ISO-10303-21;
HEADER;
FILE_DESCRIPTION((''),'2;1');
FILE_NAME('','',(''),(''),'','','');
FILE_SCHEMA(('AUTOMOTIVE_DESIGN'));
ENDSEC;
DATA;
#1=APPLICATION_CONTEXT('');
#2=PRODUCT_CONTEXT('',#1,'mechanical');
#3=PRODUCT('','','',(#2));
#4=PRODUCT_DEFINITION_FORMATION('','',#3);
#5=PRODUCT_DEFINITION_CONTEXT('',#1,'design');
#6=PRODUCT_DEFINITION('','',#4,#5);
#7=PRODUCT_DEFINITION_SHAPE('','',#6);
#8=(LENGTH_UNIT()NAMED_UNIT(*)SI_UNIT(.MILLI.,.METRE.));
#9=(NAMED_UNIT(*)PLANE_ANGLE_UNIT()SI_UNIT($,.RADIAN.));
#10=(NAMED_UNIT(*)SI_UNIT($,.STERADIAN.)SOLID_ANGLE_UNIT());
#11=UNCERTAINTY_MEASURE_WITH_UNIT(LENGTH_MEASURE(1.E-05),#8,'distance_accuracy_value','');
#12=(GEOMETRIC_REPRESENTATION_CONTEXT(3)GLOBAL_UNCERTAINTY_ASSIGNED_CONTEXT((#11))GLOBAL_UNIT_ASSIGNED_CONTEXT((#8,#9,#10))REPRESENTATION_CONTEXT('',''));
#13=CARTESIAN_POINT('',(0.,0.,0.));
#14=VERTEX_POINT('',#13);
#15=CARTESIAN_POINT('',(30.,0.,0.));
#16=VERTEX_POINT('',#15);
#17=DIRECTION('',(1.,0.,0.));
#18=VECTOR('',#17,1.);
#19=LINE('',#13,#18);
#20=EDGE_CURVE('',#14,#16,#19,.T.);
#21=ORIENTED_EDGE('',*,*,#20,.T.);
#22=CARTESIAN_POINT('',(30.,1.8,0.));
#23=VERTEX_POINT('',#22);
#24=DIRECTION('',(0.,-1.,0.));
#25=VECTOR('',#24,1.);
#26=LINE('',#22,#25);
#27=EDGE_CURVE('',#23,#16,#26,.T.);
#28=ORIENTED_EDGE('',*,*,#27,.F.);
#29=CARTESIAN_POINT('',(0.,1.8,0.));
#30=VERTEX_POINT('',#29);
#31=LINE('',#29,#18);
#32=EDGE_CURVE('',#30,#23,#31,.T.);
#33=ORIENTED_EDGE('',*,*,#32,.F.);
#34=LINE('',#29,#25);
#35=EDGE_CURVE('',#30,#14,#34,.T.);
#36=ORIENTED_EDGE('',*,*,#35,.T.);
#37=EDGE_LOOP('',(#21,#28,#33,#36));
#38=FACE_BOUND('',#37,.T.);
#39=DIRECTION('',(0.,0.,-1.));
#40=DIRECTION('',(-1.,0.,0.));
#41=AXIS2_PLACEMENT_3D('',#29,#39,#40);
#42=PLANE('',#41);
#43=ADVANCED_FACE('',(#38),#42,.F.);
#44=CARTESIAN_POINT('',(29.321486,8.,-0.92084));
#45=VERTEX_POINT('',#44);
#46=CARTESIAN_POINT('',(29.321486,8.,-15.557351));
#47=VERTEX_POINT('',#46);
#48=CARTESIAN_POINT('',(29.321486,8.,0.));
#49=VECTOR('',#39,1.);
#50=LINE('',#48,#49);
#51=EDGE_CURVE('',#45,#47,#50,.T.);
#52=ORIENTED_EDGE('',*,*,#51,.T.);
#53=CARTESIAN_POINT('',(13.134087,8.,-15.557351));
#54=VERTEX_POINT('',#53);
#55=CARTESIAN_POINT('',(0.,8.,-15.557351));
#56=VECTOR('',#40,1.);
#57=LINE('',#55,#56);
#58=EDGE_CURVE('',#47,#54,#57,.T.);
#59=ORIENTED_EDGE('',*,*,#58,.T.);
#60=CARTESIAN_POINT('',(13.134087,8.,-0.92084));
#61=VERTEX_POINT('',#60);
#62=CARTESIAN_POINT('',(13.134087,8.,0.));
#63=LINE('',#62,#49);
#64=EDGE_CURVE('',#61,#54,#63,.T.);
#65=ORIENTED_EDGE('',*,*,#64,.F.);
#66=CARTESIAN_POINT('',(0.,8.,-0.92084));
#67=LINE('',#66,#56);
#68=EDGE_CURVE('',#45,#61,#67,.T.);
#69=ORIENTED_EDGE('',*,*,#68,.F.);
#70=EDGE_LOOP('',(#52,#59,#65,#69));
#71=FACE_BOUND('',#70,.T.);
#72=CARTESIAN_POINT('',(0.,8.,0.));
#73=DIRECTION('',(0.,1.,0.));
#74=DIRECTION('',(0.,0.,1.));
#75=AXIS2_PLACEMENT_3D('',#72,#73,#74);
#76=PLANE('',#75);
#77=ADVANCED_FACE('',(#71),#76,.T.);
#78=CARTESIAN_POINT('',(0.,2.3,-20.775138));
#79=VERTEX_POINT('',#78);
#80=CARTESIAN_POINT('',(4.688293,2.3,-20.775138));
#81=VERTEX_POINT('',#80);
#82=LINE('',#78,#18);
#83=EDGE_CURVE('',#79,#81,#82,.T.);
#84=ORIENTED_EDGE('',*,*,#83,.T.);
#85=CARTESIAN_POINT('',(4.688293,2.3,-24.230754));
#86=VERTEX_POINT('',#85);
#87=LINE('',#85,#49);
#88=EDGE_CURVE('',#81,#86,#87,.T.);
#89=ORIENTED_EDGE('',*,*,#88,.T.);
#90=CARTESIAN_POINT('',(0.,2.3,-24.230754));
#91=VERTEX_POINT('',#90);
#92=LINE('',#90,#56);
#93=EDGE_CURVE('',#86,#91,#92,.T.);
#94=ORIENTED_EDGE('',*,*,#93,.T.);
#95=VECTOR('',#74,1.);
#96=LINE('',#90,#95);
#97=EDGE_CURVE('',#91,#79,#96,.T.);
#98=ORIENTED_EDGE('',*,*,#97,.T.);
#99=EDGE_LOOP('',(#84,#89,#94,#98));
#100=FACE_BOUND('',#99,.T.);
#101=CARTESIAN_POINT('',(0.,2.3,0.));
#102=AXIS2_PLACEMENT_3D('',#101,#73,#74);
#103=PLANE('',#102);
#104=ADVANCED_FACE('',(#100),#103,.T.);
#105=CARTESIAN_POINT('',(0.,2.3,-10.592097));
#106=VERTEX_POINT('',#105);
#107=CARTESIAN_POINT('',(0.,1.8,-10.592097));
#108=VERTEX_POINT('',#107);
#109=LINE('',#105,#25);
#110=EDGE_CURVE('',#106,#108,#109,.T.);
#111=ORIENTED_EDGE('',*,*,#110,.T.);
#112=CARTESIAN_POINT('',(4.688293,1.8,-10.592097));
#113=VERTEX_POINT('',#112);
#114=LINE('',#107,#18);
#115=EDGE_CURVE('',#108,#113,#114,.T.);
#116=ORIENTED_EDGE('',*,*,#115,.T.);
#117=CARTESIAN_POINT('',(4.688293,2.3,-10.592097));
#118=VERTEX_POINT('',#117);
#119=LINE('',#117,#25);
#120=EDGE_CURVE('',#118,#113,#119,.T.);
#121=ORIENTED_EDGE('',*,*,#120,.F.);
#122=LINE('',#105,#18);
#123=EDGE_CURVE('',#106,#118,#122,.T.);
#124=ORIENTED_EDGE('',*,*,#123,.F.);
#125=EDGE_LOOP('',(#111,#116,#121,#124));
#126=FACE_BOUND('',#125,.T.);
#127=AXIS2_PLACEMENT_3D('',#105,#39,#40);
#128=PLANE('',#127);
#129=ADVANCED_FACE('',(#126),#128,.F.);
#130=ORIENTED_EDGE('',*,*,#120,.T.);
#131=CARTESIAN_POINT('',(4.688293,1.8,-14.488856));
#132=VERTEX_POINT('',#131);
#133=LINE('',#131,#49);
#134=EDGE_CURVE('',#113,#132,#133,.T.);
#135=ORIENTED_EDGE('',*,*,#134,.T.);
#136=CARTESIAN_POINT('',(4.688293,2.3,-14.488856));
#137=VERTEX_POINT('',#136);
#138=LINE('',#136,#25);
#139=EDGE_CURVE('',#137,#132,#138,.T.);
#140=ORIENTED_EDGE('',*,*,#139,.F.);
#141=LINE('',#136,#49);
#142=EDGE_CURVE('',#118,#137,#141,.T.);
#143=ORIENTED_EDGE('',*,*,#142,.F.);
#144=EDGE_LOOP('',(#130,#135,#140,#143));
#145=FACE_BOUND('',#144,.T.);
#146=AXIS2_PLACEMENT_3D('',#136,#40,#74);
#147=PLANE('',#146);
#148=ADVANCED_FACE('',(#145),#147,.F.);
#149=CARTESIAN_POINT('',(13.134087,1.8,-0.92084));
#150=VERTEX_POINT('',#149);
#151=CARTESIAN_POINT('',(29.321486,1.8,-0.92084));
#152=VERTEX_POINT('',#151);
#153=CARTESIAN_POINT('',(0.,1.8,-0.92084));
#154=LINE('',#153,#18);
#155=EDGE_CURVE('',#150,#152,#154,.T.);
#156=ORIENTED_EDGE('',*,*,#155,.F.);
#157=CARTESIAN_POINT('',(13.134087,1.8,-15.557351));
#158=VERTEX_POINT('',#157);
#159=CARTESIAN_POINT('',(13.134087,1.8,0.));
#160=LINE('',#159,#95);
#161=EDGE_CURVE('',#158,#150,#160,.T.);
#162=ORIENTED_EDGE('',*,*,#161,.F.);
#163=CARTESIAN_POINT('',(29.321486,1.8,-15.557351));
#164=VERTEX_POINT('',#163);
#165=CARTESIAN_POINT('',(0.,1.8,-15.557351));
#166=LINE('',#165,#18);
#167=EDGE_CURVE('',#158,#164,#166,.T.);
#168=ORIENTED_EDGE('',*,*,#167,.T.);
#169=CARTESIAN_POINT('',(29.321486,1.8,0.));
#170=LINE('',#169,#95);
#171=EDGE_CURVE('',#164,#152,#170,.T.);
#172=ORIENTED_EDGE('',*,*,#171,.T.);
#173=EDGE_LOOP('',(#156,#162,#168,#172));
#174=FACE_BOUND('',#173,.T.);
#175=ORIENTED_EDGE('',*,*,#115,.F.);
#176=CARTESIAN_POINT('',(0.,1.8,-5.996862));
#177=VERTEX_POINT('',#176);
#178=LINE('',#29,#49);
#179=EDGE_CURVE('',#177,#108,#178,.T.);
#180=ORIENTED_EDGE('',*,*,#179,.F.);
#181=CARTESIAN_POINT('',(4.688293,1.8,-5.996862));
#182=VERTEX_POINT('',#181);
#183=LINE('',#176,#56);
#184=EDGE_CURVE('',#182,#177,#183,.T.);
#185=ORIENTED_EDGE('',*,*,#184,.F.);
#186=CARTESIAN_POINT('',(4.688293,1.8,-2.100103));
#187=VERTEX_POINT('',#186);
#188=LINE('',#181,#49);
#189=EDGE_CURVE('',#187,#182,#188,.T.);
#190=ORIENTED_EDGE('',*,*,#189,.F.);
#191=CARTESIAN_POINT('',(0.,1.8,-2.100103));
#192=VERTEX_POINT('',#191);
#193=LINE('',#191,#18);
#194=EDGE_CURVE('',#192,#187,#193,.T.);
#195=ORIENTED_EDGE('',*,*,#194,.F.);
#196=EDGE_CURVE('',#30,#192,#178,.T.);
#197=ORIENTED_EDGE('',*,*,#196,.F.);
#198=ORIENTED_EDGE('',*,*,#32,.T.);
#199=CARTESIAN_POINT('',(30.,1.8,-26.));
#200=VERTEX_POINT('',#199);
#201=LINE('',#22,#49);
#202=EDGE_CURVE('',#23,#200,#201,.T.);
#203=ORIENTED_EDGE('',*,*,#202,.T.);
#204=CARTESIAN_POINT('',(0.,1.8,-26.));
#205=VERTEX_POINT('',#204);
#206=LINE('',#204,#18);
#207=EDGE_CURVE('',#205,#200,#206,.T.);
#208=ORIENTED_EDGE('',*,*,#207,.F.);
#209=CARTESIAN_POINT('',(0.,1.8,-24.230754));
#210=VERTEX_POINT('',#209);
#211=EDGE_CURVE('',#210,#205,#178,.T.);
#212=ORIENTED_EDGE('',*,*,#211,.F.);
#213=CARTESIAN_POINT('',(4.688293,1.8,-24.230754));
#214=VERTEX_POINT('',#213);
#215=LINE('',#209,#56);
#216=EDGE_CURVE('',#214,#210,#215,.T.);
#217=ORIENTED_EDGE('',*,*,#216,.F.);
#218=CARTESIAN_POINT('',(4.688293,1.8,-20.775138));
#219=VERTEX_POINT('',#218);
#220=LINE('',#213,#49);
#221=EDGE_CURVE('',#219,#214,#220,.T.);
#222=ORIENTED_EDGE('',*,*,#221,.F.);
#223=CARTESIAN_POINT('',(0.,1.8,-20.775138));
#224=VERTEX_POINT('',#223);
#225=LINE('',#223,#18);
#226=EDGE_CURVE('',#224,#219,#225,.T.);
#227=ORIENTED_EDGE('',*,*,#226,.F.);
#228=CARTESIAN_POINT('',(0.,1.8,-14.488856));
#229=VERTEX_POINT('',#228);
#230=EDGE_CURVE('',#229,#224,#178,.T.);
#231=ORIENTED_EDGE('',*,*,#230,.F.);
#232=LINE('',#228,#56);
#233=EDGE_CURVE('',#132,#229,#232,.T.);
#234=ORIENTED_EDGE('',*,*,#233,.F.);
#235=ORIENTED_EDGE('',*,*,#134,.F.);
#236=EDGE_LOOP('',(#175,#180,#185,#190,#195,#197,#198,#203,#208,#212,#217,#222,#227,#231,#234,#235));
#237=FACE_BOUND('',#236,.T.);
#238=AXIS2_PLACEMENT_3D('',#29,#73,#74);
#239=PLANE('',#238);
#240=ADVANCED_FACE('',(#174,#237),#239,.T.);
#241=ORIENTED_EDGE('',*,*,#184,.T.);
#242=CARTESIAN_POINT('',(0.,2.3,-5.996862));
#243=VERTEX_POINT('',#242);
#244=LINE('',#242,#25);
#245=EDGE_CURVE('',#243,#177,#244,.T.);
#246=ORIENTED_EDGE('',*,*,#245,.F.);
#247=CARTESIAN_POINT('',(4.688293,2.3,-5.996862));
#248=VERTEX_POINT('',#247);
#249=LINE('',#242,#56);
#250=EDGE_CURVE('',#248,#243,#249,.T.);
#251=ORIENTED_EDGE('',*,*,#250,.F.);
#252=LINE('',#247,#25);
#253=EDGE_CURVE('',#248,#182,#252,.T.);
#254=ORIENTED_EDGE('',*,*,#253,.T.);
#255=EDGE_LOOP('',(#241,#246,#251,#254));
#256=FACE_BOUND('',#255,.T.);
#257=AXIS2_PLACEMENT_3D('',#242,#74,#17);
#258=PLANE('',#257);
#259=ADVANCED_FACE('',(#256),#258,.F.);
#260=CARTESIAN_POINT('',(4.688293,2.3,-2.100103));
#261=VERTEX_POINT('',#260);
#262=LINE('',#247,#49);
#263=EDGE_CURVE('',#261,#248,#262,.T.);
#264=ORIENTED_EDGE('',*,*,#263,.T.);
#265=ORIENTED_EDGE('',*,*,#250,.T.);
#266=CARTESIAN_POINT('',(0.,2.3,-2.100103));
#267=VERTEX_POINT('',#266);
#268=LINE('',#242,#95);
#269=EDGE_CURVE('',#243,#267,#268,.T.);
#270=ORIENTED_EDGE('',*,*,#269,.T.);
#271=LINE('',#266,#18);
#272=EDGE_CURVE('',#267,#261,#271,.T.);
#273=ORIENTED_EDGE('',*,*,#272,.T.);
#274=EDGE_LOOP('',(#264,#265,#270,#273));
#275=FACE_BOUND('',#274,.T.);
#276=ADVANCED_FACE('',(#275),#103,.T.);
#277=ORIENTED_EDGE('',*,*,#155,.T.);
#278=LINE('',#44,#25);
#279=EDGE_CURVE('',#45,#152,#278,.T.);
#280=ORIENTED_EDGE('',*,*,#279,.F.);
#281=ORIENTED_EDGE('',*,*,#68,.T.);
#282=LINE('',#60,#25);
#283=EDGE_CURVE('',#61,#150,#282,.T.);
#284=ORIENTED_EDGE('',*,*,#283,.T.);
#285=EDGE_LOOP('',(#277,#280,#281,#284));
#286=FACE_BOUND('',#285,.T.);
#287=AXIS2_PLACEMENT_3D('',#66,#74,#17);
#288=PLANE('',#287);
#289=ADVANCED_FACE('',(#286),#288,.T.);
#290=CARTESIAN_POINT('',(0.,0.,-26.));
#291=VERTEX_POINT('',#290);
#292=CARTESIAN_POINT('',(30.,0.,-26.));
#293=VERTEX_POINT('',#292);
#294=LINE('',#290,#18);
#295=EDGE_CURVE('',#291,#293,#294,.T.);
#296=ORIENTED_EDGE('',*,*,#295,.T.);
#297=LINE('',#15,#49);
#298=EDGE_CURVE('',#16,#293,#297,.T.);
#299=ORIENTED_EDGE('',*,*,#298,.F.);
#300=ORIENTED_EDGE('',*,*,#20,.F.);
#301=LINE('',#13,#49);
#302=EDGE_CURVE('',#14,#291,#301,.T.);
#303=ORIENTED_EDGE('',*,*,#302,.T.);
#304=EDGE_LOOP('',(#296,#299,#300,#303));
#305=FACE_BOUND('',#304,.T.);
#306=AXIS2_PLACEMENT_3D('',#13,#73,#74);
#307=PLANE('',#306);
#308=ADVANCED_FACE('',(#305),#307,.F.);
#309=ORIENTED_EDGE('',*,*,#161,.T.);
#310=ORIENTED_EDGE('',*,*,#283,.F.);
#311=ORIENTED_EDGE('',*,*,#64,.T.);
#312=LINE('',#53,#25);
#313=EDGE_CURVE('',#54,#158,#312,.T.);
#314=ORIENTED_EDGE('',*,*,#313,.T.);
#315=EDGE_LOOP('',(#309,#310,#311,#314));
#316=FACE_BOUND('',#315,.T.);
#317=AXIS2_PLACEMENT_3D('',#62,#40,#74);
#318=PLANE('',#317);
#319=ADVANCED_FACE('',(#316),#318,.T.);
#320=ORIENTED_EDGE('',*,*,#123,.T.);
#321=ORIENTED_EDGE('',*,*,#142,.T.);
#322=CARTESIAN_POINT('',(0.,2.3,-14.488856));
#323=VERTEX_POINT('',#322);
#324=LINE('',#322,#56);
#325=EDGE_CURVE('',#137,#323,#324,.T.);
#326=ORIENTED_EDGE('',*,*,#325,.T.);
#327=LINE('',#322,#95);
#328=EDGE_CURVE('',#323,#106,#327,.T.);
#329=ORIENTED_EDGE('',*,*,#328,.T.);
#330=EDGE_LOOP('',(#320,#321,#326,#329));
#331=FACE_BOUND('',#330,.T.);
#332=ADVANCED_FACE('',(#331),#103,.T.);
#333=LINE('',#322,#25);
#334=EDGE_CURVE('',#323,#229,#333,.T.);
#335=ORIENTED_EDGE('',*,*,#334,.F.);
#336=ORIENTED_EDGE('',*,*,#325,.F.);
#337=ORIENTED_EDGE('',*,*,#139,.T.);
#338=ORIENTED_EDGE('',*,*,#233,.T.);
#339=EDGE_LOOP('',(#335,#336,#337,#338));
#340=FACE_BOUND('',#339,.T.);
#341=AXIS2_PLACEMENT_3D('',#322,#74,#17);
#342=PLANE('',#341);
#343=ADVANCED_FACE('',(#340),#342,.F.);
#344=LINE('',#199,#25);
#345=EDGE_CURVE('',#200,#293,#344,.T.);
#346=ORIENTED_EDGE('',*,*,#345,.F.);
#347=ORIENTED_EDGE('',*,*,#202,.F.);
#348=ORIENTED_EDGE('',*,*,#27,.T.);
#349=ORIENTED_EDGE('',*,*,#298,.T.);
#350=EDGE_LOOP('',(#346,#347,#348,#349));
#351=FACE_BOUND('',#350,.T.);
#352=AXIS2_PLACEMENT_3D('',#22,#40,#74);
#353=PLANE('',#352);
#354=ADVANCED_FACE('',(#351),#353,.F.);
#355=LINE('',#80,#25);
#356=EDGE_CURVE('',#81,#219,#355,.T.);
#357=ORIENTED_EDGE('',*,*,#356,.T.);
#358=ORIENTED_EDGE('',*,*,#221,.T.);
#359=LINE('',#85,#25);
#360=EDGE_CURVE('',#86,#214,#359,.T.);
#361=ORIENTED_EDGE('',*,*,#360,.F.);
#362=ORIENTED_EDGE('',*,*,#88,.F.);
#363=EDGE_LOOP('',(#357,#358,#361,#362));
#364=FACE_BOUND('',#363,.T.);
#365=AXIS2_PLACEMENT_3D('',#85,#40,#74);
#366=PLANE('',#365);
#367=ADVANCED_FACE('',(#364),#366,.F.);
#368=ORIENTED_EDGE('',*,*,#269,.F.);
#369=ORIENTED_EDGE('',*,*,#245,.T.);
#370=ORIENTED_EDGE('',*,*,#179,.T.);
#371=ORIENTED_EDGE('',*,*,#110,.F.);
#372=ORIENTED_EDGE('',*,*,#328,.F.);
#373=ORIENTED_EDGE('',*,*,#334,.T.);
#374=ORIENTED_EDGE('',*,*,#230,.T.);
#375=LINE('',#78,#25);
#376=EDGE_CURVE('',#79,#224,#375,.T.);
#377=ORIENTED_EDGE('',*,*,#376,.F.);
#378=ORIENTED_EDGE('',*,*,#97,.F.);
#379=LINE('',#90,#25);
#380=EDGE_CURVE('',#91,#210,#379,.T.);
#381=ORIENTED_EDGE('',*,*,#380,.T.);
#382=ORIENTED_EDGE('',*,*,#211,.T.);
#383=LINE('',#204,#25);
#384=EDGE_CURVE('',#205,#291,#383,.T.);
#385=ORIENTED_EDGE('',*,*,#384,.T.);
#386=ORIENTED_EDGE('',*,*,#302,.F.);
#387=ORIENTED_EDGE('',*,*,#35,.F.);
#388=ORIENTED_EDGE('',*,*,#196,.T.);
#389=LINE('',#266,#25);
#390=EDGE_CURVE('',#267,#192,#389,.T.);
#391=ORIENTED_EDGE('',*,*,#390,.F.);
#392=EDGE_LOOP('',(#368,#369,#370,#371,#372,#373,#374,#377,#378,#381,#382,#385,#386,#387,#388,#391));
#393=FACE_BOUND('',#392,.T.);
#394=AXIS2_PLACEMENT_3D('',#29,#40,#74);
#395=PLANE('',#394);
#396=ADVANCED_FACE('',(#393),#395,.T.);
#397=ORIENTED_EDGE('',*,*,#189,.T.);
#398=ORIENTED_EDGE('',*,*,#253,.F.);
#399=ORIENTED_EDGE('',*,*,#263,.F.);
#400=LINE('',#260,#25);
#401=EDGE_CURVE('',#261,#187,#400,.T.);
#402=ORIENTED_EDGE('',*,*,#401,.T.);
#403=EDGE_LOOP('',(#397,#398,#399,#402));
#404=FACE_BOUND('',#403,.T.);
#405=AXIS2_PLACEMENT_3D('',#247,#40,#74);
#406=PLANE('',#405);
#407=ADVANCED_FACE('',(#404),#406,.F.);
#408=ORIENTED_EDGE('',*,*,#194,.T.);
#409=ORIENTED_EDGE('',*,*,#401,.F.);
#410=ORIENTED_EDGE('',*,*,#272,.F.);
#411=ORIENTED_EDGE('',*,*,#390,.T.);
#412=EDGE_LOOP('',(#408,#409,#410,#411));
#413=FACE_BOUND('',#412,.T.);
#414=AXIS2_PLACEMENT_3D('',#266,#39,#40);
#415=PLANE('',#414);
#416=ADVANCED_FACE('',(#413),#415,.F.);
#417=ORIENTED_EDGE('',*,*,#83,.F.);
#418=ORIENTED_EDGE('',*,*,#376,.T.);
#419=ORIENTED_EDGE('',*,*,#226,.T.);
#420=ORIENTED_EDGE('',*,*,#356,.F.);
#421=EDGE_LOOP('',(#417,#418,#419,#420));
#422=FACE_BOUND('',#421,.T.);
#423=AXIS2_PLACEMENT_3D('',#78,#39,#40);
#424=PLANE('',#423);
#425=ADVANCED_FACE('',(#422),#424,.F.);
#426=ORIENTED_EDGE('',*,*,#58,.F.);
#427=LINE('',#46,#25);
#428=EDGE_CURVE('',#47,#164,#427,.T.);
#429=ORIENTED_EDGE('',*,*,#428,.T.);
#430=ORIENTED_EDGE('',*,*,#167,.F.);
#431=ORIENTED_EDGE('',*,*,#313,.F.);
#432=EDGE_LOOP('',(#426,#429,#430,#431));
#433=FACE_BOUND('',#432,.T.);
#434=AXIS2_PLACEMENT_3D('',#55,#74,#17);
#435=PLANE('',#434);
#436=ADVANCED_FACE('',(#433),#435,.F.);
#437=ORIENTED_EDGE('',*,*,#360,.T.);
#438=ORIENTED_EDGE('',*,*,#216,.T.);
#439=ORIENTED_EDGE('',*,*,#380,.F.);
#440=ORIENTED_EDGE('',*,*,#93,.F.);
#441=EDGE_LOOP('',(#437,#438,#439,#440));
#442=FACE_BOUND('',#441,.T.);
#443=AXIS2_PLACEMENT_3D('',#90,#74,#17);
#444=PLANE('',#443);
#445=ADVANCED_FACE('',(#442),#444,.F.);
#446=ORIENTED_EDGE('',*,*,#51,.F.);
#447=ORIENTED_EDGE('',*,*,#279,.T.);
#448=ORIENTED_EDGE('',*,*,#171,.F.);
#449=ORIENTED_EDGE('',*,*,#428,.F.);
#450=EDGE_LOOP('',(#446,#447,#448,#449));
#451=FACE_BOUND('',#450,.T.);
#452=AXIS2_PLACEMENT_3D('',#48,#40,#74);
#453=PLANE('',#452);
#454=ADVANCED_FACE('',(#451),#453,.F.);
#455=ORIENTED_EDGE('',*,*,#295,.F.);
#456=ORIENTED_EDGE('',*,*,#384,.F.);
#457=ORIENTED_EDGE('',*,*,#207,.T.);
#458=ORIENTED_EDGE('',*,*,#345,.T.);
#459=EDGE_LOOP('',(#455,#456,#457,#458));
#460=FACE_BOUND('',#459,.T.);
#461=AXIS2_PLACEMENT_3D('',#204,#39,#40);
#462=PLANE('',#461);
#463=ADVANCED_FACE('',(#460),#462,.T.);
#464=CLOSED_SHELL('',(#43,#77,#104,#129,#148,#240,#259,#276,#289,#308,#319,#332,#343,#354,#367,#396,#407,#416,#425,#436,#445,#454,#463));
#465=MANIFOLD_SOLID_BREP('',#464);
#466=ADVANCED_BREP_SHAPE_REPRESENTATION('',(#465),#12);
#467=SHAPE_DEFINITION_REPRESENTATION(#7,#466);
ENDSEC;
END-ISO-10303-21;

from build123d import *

# Parameters (mm, degrees)
SKETCH1_W           = 30
SKETCH1_H           = 26
BOSS_EXTRUDE1_DEPTH = 1.8
SKETCH1_3_W         = 16.187399031
SKETCH1_3_H         = 14.6365105
BOSS_EXTRUDE2_DEPTH = 8
SKETCH2_W           = 4.688292782
SKETCH2_H           = 3.45561668
SKETCH2_H_2         = 3.896759234
BOSS_EXTRUDE3_DEPTH = 0.5


with BuildPart() as part:
    # Sketch1 → Boss-Extrude1 (new body)
    with BuildSketch(Plane(origin=(0, 0, 0), x_dir=(1, 0, 0), z_dir=(0, 1, 0))):
        with Locations((15, 13)):
            Rectangle(SKETCH1_W, SKETCH1_H)
    extrude(amount=BOSS_EXTRUDE1_DEPTH)

    # Sketch1<3> → Boss-Extrude2 (add)
    with BuildSketch(Plane(origin=(0, 0, 0), x_dir=(1, 0, 0), z_dir=(0, 1, 0))):
        with Locations((21.227786753, 8.239095315)):
            Rectangle(SKETCH1_3_W, SKETCH1_3_H)
    extrude(amount=BOSS_EXTRUDE2_DEPTH)

    # Sketch2 → Boss-Extrude3 (add)
    with BuildSketch(Plane(origin=(0, 1.8, 0), x_dir=(1, 0, 0), z_dir=(0, 1, 0))):
        with Locations((2.344146391, 22.502945868)):
            Rectangle(SKETCH2_W, SKETCH2_H)
        with Locations((2.344146391, 12.540476505)):
            Rectangle(SKETCH2_W, SKETCH2_H_2)
        with Locations((2.344146391, 4.048482326)):
            Rectangle(SKETCH2_W, SKETCH2_H_2)
    extrude(amount=BOSS_EXTRUDE3_DEPTH)


solid = part.part
